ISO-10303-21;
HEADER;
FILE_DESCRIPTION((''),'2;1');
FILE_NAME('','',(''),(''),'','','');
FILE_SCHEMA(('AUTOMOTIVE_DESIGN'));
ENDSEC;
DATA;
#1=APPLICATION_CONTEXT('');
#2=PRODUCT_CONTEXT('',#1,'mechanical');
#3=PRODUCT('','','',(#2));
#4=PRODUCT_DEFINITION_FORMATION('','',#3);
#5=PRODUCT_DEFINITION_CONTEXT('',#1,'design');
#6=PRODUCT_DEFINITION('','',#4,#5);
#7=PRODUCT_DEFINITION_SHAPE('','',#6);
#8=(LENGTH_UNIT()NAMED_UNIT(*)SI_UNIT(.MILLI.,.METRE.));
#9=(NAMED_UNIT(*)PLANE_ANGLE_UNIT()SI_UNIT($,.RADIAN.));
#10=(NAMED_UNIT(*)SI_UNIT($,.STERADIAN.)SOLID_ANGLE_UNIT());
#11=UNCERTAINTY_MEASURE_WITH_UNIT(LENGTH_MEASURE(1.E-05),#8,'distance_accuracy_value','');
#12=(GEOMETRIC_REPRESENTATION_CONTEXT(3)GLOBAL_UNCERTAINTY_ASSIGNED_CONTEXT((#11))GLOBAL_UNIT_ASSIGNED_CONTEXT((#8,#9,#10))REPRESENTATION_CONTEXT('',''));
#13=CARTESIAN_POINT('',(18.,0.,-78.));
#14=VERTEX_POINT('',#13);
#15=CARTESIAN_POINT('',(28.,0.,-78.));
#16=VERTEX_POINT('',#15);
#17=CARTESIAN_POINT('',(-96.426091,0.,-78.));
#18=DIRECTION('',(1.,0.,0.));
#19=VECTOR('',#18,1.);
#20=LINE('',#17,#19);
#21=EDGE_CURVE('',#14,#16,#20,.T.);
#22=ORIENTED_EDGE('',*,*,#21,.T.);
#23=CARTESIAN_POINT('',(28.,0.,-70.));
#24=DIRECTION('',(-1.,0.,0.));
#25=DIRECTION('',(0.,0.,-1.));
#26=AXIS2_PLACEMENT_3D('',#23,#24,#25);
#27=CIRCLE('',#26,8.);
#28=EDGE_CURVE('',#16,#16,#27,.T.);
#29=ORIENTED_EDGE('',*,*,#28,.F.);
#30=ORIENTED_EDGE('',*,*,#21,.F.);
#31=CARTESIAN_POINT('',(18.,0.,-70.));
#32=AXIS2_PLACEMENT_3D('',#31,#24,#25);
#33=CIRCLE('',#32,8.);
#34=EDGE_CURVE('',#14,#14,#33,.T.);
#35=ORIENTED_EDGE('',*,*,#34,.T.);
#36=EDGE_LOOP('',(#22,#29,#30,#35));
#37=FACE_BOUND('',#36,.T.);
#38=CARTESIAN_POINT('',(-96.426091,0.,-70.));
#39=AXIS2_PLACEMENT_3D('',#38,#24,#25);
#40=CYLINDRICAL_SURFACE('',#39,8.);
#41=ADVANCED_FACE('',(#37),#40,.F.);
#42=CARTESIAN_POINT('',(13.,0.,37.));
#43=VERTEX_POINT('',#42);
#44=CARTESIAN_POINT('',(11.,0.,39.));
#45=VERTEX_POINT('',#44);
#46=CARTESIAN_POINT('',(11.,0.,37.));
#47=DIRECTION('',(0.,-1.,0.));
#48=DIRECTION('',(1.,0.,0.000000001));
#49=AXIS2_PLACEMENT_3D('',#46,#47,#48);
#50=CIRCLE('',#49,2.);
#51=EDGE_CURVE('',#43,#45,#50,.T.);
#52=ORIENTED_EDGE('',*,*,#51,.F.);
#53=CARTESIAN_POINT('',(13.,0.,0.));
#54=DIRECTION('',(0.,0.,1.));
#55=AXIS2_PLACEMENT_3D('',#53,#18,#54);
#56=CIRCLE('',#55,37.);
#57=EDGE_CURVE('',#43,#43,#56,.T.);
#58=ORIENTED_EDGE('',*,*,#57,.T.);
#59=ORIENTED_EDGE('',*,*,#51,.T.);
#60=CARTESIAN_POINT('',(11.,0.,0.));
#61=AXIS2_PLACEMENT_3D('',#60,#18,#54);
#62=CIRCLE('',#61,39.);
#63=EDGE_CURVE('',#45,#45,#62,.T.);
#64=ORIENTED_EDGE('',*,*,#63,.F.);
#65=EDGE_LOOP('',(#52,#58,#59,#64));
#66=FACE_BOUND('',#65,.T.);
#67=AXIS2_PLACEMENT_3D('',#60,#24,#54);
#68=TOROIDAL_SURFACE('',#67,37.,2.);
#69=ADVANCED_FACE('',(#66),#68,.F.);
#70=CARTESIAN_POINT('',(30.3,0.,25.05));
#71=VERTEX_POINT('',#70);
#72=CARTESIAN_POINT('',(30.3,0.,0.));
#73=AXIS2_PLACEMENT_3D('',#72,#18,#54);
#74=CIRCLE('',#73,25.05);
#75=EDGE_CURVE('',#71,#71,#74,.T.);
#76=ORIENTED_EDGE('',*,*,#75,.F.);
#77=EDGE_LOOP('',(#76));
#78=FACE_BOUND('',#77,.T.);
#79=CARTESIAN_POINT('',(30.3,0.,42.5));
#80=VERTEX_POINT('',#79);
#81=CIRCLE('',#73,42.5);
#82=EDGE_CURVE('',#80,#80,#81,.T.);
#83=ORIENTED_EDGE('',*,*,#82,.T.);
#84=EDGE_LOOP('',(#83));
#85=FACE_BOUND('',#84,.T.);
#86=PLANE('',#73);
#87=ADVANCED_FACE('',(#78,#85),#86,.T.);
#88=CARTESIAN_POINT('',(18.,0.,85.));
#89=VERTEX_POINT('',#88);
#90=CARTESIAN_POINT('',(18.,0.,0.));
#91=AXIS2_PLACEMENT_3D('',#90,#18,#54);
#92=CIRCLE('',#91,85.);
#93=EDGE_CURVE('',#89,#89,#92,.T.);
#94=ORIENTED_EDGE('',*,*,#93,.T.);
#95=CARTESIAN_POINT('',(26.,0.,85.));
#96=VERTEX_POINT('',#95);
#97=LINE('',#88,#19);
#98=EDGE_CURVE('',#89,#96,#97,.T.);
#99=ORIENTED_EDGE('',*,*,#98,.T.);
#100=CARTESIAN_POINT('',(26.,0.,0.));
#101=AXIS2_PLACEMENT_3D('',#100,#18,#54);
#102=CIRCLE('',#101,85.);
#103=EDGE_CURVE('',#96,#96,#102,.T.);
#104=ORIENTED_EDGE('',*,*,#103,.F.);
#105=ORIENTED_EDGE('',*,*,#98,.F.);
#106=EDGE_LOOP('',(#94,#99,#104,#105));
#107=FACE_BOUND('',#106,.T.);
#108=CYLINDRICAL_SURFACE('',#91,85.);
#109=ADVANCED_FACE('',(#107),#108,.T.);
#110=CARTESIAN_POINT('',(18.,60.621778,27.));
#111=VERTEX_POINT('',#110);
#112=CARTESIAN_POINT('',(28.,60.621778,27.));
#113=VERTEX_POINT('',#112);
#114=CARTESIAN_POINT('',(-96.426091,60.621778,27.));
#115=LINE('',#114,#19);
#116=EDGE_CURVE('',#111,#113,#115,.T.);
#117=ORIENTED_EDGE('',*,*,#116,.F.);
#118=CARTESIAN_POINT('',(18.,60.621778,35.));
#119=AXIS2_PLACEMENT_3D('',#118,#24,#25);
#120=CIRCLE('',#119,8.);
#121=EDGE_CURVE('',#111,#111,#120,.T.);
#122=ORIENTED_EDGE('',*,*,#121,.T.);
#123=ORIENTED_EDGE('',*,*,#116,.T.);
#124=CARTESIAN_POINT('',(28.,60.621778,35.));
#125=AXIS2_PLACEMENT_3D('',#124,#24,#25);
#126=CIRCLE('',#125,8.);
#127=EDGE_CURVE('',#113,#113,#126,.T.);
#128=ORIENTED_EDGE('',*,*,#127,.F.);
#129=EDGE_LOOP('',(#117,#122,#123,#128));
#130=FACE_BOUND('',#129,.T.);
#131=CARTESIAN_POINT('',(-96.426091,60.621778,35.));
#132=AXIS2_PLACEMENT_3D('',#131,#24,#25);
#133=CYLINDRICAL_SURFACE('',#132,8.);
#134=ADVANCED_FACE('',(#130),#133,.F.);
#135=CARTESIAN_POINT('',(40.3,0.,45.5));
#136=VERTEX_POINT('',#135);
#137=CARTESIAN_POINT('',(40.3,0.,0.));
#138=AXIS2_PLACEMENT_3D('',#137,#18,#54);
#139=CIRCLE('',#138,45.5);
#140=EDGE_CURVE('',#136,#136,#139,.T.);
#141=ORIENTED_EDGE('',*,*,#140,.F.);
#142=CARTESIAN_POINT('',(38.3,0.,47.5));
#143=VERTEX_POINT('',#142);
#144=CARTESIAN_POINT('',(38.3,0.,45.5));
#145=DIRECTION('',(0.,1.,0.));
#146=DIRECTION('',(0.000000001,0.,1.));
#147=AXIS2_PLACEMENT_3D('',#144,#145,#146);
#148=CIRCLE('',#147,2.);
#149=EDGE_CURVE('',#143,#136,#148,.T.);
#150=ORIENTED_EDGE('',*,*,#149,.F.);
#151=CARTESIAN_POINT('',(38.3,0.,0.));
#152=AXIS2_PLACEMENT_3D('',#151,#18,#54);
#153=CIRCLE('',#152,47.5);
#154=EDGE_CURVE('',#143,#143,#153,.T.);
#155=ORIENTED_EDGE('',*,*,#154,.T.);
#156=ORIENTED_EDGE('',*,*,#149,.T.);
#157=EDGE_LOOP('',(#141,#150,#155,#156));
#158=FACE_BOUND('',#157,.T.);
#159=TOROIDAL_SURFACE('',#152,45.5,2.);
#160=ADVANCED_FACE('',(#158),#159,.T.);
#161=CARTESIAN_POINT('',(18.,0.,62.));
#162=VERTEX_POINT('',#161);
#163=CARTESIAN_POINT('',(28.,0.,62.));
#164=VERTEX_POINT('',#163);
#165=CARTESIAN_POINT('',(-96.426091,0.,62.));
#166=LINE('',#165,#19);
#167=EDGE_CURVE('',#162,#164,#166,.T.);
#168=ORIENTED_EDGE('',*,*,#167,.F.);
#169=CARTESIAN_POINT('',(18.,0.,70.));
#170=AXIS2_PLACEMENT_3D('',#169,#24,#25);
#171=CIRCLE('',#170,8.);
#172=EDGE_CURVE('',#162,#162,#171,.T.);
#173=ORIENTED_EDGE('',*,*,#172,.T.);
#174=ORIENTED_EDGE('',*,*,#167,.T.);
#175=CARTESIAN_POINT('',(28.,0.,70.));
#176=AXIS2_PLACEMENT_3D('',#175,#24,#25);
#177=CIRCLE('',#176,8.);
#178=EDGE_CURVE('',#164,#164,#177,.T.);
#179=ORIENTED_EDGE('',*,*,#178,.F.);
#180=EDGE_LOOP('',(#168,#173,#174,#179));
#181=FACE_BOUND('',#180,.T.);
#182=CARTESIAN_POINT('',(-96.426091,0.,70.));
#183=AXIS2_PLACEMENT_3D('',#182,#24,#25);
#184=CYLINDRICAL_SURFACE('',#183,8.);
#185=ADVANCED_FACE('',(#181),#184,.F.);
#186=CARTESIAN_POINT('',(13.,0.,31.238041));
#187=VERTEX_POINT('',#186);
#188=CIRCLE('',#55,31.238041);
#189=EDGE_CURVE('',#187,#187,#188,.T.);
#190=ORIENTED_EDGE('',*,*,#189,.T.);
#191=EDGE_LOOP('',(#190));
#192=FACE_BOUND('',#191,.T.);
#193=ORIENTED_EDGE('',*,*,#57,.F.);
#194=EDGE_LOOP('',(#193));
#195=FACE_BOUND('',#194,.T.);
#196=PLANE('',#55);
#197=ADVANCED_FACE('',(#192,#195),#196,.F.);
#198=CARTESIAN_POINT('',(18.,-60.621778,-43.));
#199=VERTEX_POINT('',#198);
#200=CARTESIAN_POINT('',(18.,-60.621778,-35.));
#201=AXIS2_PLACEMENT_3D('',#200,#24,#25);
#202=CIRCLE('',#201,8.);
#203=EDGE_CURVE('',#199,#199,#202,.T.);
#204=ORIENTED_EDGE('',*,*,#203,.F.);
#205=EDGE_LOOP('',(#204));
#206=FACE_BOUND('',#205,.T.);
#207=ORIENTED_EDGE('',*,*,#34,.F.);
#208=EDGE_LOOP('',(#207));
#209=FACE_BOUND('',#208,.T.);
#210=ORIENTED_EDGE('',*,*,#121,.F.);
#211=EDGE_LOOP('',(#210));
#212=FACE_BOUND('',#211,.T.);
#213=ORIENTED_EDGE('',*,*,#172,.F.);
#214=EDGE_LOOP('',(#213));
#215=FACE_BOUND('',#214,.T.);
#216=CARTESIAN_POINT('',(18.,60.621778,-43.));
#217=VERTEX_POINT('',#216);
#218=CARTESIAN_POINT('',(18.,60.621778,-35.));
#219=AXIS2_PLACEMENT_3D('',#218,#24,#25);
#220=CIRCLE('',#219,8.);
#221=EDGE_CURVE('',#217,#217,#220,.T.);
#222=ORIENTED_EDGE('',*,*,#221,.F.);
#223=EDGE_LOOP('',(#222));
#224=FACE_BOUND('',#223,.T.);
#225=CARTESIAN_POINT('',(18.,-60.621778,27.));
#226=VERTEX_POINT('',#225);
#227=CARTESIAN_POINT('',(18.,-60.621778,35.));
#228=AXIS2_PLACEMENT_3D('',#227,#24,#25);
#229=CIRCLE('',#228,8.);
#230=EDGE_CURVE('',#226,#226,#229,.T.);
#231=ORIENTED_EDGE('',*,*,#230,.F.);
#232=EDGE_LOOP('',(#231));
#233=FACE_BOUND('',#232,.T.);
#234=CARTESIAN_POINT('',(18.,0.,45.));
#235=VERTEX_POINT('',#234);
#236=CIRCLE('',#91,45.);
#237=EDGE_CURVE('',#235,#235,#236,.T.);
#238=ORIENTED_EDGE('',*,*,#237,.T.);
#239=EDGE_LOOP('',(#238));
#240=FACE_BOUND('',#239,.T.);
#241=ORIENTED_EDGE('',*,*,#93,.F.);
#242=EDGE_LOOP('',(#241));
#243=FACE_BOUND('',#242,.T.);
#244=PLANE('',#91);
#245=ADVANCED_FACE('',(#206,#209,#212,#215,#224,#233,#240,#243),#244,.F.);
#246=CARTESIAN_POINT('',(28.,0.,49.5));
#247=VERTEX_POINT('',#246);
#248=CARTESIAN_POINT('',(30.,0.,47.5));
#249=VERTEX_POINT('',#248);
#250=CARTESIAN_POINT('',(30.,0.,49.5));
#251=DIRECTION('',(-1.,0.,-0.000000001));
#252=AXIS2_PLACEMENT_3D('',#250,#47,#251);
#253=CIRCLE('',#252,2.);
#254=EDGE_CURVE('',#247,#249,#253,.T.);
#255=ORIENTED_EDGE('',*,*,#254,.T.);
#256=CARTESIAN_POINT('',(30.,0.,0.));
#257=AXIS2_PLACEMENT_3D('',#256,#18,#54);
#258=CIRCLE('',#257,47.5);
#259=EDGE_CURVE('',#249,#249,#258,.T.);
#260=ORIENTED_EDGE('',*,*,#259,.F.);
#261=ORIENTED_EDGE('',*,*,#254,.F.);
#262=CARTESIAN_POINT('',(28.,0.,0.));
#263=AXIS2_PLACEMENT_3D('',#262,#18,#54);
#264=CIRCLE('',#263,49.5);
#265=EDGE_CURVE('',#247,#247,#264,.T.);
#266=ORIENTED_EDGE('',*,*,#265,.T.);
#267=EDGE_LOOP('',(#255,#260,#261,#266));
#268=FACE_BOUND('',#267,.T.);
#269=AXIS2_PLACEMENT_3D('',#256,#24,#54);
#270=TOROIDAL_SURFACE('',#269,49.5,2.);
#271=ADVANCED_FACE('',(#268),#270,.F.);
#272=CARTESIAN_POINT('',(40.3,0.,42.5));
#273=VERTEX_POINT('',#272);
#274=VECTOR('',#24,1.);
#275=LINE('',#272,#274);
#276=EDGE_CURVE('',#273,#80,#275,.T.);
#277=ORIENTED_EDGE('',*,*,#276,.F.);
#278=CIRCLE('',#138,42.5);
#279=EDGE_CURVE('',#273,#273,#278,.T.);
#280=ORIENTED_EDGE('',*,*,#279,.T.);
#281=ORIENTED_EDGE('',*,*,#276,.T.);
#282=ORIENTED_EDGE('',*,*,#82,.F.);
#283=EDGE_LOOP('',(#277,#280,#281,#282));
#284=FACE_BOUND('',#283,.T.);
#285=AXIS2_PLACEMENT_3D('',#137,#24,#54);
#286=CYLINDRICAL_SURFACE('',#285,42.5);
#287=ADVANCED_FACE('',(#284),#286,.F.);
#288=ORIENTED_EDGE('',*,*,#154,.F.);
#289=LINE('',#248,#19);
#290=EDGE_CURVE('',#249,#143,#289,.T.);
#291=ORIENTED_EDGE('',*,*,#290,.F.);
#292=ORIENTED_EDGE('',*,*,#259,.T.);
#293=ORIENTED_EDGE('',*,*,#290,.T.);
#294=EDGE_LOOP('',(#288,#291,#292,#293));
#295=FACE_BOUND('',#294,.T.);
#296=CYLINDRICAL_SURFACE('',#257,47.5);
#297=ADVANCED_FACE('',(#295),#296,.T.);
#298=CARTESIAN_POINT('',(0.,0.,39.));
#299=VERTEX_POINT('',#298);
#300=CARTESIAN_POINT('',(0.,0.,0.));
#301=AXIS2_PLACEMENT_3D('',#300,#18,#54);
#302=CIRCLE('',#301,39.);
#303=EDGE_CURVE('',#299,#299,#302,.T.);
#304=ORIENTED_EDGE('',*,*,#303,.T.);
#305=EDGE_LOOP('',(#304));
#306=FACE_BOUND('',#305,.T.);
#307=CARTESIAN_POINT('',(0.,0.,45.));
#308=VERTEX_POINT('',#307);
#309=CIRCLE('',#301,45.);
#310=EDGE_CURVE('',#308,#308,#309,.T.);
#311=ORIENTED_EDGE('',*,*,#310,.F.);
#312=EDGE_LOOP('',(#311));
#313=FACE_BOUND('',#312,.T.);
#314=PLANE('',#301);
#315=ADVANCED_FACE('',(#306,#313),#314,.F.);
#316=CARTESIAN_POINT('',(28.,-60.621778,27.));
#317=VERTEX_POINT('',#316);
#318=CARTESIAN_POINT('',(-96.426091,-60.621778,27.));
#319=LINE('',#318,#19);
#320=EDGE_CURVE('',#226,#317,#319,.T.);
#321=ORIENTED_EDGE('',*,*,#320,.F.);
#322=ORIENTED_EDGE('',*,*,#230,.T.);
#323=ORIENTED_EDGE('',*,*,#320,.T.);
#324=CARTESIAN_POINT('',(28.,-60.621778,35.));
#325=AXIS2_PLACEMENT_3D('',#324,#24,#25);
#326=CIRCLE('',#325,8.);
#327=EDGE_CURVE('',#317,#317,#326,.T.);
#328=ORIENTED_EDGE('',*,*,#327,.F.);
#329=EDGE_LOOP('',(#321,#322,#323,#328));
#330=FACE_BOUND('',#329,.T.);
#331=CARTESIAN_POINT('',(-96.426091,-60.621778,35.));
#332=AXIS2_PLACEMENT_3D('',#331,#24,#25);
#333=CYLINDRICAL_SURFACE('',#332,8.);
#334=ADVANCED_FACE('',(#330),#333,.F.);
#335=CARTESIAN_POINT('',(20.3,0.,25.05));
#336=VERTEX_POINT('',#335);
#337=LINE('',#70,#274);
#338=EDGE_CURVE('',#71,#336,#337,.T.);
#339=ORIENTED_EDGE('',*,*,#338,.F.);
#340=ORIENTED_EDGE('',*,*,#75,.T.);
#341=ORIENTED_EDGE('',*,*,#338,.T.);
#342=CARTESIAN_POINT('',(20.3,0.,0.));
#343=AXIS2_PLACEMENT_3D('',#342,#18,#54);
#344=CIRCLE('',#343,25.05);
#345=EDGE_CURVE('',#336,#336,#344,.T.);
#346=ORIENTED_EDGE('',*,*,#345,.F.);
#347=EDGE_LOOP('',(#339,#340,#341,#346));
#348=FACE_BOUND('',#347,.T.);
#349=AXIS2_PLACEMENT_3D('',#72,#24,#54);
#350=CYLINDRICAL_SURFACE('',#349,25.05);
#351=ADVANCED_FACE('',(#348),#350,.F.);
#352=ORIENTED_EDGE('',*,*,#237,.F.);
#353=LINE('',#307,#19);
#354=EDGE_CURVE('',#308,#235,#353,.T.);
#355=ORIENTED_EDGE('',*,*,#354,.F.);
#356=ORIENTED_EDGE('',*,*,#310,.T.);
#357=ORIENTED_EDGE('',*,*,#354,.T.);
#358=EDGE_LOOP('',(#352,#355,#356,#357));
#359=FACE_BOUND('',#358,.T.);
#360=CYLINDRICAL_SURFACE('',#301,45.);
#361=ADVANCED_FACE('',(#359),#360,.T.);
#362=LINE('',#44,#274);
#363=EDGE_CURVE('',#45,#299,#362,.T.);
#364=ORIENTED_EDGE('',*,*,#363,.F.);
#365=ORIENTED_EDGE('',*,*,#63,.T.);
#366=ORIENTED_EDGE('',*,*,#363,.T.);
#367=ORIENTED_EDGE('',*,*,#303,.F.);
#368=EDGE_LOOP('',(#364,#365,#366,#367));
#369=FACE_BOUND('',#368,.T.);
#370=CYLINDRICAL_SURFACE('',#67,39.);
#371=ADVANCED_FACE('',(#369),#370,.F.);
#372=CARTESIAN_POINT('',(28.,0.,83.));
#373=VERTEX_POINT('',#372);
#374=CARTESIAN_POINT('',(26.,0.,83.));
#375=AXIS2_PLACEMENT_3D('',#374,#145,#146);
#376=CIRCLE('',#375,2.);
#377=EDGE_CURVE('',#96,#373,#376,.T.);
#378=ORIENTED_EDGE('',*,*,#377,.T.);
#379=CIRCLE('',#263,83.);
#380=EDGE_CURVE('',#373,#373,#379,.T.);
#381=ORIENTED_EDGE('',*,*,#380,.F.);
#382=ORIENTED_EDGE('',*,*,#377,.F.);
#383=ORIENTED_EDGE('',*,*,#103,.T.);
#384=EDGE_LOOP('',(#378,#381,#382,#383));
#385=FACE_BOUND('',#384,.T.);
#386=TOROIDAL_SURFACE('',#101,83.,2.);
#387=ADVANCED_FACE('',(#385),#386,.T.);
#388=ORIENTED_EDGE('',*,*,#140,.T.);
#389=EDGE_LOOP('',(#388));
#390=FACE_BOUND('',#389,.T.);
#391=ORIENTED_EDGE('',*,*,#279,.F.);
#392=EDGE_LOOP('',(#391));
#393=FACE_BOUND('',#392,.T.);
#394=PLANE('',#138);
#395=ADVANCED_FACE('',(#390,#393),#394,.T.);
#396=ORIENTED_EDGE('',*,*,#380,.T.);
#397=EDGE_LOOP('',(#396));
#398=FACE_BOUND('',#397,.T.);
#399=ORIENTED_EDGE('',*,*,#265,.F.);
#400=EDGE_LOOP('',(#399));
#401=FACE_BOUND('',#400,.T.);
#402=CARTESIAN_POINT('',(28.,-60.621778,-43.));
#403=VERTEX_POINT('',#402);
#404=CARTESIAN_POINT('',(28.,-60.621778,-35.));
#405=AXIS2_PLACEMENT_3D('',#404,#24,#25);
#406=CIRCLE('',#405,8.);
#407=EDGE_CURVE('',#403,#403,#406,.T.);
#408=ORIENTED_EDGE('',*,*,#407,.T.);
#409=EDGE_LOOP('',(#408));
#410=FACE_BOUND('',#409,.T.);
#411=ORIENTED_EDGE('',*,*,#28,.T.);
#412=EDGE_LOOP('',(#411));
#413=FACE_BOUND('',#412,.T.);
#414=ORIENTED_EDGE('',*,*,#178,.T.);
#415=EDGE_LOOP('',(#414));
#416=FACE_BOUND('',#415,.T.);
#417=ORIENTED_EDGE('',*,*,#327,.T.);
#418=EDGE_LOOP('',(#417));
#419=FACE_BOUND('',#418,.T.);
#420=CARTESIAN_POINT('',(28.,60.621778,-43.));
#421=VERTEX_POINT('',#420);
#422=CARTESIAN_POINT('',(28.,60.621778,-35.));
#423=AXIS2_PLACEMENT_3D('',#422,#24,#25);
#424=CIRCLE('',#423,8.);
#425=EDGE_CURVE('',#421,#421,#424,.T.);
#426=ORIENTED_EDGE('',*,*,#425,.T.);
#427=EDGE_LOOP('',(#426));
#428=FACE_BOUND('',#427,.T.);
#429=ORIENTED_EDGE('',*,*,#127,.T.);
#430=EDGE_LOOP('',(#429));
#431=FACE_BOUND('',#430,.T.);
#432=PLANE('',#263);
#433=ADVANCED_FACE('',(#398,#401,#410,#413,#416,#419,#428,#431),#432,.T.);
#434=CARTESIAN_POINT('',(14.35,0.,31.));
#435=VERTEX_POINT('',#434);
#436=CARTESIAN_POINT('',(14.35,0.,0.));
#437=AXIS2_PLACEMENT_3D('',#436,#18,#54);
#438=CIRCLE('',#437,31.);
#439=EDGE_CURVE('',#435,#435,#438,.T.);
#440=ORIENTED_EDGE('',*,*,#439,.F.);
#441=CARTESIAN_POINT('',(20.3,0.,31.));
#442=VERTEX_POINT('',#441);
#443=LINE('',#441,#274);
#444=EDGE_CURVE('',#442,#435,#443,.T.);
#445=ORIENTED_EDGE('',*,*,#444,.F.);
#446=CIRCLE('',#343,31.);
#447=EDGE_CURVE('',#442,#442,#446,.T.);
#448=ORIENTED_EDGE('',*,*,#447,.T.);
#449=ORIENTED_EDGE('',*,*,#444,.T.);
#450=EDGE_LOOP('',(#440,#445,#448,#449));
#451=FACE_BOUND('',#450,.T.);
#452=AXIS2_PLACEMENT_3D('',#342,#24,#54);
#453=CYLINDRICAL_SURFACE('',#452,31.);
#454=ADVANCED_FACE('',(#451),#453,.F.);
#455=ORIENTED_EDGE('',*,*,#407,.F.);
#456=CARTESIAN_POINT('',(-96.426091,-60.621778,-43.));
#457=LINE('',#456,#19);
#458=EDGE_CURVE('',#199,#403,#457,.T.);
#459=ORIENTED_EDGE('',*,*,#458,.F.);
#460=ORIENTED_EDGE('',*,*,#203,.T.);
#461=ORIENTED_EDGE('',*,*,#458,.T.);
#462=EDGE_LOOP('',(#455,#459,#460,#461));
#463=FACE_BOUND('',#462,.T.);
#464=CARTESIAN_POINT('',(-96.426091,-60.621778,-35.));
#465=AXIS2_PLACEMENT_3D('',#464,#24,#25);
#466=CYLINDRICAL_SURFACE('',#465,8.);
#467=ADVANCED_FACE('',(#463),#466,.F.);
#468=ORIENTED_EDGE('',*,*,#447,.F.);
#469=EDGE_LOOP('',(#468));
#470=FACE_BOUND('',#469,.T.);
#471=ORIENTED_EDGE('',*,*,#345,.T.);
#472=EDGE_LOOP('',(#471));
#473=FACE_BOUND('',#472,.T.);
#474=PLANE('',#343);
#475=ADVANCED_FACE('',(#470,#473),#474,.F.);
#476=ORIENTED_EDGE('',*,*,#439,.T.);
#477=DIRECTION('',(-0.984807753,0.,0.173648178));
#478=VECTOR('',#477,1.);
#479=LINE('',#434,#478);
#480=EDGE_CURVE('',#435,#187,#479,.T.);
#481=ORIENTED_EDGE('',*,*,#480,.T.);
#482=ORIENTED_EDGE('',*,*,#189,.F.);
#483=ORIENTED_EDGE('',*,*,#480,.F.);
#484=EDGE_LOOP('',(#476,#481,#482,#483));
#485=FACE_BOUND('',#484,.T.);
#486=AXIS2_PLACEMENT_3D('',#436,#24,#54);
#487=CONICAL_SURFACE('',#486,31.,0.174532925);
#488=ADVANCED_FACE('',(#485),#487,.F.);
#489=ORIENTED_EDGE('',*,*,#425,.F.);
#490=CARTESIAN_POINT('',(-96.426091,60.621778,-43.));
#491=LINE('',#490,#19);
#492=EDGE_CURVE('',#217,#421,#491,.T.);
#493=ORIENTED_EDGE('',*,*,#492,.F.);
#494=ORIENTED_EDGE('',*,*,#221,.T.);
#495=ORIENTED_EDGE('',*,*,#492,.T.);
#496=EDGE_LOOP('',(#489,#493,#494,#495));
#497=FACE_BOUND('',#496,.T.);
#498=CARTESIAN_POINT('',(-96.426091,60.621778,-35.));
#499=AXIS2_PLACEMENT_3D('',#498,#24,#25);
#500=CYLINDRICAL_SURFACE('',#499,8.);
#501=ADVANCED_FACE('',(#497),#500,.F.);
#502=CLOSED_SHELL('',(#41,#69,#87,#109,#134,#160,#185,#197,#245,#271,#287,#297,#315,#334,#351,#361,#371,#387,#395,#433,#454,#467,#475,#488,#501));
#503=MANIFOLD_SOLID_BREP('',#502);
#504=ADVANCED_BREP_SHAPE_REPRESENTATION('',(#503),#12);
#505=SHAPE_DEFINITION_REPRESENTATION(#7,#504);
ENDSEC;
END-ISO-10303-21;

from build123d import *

# Parameters (mm, degrees)
CUT_EXTRUDE1_DEPTH      = 124.426091245
CUT_EXTRUDE1_DEPTH_BACK = 124.426091245
SKETCH2_R               = 8


with BuildPart() as part:
    # Sketch1 → Revolve1 (revolve)
    with BuildSketch(Plane.XY, mode=Mode.PRIVATE) as revolve1_sk:
        with BuildLine():
            Line((0, 45), (18, 45))
            Line((18, 45), (18, 85))
            Line((18, 85), (26, 85))
            ThreePointArc((26, 85), (27.414213562, 84.414213562), (28, 83))
            Line((28, 83), (28, 49.5))
            ThreePointArc((28, 49.5), (28.585786438, 48.085786438), (30, 47.5))
            Line((30, 47.5), (38.3, 47.5))
            ThreePointArc((38.3, 47.5), (39.714213562, 46.914213562), (40.3, 45.5))
            Line((40.3, 45.5), (40.3, 42.5))
            Line((40.3, 42.5), (30.3, 42.5))
            Line((30.3, 42.5), (30.3, 25.05))
            Line((30.3, 25.05), (20.3, 25.05))
            Line((20.3, 25.05), (20.3, 31))
            Line((20.3, 31), (14.35, 31))
            Line((14.35, 31), (13, 31.238041424))
            Line((13, 31.238041424), (13, 37))
            ThreePointArc((13, 37), (12.414213562, 38.414213562), (11, 39))
            Line((11, 39), (0, 39))
            Line((0, 39), (0, 45))
        make_face()
    revolve(revolve1_sk.sketch.rotate(Axis((0, 0, 0), (1, 0, 0)), 90), axis=Axis((0, 0, 0), (1, 0, 0)))

    # Sketch2 → Cut-Extrude1 (cut, two sides: drawn at the far end of the back side and taken through both)
    with BuildSketch(Plane(origin=(28, 0, 0), x_dir=(0, 0, -1), z_dir=(1, 0, 0)).offset(-CUT_EXTRUDE1_DEPTH_BACK)):
        with Locations((70, 0)):
            Circle(SKETCH2_R)
        with Locations((35, -60.621778265)):
            Circle(SKETCH2_R)
        with Locations((-35, -60.621778265)):
            Circle(SKETCH2_R)
        with Locations((-70, 0)):
            Circle(SKETCH2_R)
        with Locations((-35, 60.621778265)):
            Circle(SKETCH2_R)
        with Locations((35, 60.621778265)):
            Circle(SKETCH2_R)
    extrude(amount=CUT_EXTRUDE1_DEPTH + CUT_EXTRUDE1_DEPTH_BACK, mode=Mode.SUBTRACT)


solid = part.part
